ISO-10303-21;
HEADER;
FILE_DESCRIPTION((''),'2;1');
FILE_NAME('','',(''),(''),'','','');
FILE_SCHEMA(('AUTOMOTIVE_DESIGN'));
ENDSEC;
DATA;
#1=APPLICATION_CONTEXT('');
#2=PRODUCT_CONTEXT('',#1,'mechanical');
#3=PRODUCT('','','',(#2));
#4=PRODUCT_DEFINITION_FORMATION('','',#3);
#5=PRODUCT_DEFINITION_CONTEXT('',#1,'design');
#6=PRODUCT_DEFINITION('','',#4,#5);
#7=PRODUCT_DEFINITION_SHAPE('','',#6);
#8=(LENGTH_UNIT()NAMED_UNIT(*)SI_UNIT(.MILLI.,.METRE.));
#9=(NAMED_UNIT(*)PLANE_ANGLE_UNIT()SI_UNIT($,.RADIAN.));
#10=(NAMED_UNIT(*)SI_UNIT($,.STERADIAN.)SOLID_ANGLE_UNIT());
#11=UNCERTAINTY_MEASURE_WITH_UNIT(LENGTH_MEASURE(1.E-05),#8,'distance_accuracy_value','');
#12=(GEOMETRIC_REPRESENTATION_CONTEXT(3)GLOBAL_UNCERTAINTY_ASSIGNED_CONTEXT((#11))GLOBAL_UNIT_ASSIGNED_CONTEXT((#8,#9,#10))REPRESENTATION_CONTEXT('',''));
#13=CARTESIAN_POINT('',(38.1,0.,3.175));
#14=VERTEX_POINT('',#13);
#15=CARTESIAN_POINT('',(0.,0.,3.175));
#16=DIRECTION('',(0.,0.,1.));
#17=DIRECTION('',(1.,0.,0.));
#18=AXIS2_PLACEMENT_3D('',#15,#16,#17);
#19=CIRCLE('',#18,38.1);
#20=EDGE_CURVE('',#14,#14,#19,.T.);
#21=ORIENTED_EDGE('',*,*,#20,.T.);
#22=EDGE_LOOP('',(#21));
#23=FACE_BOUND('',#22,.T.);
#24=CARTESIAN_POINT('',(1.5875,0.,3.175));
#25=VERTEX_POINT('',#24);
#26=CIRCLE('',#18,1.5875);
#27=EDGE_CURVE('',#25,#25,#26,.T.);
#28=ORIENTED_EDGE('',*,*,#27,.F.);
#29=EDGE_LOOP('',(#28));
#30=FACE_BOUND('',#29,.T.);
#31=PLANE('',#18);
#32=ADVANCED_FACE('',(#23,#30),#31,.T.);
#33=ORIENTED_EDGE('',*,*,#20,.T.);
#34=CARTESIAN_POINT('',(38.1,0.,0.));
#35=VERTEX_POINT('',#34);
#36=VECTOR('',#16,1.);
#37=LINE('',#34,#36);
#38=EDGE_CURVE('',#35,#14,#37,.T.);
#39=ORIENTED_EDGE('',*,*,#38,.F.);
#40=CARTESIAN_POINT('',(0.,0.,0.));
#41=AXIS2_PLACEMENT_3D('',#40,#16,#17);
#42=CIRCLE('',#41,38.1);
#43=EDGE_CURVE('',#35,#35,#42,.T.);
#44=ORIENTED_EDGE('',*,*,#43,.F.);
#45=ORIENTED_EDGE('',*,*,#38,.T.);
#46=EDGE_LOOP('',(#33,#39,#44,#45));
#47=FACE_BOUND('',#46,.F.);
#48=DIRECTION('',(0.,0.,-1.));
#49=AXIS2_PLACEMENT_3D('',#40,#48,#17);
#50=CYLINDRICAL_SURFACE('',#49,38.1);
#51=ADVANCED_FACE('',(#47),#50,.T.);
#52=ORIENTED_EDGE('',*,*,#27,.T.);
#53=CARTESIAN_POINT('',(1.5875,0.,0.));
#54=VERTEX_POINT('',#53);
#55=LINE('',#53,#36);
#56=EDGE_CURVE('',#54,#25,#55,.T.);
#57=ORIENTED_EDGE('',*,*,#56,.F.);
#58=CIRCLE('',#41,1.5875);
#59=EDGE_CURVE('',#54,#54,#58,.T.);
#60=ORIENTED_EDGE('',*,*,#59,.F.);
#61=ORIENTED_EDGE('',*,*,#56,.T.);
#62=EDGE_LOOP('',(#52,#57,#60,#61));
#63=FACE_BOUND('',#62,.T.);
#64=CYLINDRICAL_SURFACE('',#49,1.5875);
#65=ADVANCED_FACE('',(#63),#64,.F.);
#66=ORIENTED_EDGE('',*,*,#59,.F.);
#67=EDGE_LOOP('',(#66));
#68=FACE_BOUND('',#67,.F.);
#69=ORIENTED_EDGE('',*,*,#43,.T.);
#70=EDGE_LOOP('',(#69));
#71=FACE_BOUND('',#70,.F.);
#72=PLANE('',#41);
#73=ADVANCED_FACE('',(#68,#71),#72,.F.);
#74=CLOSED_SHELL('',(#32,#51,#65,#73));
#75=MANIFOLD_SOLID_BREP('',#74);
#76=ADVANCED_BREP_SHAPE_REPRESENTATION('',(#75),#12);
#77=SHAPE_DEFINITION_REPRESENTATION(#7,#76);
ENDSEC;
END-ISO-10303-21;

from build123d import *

# Parameters (mm, degrees)
F0_R     = 38.1
F0_R_2   = 1.5875
F1_DEPTH = 3.175
F2_DEPTH = 3.175


with BuildPart() as f1:
    # F0 (on Top) → F1 (new body)
    with BuildSketch(Plane.XY):
        Circle(F0_R)
        Circle(F0_R_2, mode=Mode.SUBTRACT)
    extrude(amount=F1_DEPTH)

    # F0 (on Top) → F2 (cut)
    with BuildSketch(Plane.XY):
        Circle(F0_R_2)
    extrude(amount=-F2_DEPTH, mode=Mode.SUBTRACT)


solid = f1.part
